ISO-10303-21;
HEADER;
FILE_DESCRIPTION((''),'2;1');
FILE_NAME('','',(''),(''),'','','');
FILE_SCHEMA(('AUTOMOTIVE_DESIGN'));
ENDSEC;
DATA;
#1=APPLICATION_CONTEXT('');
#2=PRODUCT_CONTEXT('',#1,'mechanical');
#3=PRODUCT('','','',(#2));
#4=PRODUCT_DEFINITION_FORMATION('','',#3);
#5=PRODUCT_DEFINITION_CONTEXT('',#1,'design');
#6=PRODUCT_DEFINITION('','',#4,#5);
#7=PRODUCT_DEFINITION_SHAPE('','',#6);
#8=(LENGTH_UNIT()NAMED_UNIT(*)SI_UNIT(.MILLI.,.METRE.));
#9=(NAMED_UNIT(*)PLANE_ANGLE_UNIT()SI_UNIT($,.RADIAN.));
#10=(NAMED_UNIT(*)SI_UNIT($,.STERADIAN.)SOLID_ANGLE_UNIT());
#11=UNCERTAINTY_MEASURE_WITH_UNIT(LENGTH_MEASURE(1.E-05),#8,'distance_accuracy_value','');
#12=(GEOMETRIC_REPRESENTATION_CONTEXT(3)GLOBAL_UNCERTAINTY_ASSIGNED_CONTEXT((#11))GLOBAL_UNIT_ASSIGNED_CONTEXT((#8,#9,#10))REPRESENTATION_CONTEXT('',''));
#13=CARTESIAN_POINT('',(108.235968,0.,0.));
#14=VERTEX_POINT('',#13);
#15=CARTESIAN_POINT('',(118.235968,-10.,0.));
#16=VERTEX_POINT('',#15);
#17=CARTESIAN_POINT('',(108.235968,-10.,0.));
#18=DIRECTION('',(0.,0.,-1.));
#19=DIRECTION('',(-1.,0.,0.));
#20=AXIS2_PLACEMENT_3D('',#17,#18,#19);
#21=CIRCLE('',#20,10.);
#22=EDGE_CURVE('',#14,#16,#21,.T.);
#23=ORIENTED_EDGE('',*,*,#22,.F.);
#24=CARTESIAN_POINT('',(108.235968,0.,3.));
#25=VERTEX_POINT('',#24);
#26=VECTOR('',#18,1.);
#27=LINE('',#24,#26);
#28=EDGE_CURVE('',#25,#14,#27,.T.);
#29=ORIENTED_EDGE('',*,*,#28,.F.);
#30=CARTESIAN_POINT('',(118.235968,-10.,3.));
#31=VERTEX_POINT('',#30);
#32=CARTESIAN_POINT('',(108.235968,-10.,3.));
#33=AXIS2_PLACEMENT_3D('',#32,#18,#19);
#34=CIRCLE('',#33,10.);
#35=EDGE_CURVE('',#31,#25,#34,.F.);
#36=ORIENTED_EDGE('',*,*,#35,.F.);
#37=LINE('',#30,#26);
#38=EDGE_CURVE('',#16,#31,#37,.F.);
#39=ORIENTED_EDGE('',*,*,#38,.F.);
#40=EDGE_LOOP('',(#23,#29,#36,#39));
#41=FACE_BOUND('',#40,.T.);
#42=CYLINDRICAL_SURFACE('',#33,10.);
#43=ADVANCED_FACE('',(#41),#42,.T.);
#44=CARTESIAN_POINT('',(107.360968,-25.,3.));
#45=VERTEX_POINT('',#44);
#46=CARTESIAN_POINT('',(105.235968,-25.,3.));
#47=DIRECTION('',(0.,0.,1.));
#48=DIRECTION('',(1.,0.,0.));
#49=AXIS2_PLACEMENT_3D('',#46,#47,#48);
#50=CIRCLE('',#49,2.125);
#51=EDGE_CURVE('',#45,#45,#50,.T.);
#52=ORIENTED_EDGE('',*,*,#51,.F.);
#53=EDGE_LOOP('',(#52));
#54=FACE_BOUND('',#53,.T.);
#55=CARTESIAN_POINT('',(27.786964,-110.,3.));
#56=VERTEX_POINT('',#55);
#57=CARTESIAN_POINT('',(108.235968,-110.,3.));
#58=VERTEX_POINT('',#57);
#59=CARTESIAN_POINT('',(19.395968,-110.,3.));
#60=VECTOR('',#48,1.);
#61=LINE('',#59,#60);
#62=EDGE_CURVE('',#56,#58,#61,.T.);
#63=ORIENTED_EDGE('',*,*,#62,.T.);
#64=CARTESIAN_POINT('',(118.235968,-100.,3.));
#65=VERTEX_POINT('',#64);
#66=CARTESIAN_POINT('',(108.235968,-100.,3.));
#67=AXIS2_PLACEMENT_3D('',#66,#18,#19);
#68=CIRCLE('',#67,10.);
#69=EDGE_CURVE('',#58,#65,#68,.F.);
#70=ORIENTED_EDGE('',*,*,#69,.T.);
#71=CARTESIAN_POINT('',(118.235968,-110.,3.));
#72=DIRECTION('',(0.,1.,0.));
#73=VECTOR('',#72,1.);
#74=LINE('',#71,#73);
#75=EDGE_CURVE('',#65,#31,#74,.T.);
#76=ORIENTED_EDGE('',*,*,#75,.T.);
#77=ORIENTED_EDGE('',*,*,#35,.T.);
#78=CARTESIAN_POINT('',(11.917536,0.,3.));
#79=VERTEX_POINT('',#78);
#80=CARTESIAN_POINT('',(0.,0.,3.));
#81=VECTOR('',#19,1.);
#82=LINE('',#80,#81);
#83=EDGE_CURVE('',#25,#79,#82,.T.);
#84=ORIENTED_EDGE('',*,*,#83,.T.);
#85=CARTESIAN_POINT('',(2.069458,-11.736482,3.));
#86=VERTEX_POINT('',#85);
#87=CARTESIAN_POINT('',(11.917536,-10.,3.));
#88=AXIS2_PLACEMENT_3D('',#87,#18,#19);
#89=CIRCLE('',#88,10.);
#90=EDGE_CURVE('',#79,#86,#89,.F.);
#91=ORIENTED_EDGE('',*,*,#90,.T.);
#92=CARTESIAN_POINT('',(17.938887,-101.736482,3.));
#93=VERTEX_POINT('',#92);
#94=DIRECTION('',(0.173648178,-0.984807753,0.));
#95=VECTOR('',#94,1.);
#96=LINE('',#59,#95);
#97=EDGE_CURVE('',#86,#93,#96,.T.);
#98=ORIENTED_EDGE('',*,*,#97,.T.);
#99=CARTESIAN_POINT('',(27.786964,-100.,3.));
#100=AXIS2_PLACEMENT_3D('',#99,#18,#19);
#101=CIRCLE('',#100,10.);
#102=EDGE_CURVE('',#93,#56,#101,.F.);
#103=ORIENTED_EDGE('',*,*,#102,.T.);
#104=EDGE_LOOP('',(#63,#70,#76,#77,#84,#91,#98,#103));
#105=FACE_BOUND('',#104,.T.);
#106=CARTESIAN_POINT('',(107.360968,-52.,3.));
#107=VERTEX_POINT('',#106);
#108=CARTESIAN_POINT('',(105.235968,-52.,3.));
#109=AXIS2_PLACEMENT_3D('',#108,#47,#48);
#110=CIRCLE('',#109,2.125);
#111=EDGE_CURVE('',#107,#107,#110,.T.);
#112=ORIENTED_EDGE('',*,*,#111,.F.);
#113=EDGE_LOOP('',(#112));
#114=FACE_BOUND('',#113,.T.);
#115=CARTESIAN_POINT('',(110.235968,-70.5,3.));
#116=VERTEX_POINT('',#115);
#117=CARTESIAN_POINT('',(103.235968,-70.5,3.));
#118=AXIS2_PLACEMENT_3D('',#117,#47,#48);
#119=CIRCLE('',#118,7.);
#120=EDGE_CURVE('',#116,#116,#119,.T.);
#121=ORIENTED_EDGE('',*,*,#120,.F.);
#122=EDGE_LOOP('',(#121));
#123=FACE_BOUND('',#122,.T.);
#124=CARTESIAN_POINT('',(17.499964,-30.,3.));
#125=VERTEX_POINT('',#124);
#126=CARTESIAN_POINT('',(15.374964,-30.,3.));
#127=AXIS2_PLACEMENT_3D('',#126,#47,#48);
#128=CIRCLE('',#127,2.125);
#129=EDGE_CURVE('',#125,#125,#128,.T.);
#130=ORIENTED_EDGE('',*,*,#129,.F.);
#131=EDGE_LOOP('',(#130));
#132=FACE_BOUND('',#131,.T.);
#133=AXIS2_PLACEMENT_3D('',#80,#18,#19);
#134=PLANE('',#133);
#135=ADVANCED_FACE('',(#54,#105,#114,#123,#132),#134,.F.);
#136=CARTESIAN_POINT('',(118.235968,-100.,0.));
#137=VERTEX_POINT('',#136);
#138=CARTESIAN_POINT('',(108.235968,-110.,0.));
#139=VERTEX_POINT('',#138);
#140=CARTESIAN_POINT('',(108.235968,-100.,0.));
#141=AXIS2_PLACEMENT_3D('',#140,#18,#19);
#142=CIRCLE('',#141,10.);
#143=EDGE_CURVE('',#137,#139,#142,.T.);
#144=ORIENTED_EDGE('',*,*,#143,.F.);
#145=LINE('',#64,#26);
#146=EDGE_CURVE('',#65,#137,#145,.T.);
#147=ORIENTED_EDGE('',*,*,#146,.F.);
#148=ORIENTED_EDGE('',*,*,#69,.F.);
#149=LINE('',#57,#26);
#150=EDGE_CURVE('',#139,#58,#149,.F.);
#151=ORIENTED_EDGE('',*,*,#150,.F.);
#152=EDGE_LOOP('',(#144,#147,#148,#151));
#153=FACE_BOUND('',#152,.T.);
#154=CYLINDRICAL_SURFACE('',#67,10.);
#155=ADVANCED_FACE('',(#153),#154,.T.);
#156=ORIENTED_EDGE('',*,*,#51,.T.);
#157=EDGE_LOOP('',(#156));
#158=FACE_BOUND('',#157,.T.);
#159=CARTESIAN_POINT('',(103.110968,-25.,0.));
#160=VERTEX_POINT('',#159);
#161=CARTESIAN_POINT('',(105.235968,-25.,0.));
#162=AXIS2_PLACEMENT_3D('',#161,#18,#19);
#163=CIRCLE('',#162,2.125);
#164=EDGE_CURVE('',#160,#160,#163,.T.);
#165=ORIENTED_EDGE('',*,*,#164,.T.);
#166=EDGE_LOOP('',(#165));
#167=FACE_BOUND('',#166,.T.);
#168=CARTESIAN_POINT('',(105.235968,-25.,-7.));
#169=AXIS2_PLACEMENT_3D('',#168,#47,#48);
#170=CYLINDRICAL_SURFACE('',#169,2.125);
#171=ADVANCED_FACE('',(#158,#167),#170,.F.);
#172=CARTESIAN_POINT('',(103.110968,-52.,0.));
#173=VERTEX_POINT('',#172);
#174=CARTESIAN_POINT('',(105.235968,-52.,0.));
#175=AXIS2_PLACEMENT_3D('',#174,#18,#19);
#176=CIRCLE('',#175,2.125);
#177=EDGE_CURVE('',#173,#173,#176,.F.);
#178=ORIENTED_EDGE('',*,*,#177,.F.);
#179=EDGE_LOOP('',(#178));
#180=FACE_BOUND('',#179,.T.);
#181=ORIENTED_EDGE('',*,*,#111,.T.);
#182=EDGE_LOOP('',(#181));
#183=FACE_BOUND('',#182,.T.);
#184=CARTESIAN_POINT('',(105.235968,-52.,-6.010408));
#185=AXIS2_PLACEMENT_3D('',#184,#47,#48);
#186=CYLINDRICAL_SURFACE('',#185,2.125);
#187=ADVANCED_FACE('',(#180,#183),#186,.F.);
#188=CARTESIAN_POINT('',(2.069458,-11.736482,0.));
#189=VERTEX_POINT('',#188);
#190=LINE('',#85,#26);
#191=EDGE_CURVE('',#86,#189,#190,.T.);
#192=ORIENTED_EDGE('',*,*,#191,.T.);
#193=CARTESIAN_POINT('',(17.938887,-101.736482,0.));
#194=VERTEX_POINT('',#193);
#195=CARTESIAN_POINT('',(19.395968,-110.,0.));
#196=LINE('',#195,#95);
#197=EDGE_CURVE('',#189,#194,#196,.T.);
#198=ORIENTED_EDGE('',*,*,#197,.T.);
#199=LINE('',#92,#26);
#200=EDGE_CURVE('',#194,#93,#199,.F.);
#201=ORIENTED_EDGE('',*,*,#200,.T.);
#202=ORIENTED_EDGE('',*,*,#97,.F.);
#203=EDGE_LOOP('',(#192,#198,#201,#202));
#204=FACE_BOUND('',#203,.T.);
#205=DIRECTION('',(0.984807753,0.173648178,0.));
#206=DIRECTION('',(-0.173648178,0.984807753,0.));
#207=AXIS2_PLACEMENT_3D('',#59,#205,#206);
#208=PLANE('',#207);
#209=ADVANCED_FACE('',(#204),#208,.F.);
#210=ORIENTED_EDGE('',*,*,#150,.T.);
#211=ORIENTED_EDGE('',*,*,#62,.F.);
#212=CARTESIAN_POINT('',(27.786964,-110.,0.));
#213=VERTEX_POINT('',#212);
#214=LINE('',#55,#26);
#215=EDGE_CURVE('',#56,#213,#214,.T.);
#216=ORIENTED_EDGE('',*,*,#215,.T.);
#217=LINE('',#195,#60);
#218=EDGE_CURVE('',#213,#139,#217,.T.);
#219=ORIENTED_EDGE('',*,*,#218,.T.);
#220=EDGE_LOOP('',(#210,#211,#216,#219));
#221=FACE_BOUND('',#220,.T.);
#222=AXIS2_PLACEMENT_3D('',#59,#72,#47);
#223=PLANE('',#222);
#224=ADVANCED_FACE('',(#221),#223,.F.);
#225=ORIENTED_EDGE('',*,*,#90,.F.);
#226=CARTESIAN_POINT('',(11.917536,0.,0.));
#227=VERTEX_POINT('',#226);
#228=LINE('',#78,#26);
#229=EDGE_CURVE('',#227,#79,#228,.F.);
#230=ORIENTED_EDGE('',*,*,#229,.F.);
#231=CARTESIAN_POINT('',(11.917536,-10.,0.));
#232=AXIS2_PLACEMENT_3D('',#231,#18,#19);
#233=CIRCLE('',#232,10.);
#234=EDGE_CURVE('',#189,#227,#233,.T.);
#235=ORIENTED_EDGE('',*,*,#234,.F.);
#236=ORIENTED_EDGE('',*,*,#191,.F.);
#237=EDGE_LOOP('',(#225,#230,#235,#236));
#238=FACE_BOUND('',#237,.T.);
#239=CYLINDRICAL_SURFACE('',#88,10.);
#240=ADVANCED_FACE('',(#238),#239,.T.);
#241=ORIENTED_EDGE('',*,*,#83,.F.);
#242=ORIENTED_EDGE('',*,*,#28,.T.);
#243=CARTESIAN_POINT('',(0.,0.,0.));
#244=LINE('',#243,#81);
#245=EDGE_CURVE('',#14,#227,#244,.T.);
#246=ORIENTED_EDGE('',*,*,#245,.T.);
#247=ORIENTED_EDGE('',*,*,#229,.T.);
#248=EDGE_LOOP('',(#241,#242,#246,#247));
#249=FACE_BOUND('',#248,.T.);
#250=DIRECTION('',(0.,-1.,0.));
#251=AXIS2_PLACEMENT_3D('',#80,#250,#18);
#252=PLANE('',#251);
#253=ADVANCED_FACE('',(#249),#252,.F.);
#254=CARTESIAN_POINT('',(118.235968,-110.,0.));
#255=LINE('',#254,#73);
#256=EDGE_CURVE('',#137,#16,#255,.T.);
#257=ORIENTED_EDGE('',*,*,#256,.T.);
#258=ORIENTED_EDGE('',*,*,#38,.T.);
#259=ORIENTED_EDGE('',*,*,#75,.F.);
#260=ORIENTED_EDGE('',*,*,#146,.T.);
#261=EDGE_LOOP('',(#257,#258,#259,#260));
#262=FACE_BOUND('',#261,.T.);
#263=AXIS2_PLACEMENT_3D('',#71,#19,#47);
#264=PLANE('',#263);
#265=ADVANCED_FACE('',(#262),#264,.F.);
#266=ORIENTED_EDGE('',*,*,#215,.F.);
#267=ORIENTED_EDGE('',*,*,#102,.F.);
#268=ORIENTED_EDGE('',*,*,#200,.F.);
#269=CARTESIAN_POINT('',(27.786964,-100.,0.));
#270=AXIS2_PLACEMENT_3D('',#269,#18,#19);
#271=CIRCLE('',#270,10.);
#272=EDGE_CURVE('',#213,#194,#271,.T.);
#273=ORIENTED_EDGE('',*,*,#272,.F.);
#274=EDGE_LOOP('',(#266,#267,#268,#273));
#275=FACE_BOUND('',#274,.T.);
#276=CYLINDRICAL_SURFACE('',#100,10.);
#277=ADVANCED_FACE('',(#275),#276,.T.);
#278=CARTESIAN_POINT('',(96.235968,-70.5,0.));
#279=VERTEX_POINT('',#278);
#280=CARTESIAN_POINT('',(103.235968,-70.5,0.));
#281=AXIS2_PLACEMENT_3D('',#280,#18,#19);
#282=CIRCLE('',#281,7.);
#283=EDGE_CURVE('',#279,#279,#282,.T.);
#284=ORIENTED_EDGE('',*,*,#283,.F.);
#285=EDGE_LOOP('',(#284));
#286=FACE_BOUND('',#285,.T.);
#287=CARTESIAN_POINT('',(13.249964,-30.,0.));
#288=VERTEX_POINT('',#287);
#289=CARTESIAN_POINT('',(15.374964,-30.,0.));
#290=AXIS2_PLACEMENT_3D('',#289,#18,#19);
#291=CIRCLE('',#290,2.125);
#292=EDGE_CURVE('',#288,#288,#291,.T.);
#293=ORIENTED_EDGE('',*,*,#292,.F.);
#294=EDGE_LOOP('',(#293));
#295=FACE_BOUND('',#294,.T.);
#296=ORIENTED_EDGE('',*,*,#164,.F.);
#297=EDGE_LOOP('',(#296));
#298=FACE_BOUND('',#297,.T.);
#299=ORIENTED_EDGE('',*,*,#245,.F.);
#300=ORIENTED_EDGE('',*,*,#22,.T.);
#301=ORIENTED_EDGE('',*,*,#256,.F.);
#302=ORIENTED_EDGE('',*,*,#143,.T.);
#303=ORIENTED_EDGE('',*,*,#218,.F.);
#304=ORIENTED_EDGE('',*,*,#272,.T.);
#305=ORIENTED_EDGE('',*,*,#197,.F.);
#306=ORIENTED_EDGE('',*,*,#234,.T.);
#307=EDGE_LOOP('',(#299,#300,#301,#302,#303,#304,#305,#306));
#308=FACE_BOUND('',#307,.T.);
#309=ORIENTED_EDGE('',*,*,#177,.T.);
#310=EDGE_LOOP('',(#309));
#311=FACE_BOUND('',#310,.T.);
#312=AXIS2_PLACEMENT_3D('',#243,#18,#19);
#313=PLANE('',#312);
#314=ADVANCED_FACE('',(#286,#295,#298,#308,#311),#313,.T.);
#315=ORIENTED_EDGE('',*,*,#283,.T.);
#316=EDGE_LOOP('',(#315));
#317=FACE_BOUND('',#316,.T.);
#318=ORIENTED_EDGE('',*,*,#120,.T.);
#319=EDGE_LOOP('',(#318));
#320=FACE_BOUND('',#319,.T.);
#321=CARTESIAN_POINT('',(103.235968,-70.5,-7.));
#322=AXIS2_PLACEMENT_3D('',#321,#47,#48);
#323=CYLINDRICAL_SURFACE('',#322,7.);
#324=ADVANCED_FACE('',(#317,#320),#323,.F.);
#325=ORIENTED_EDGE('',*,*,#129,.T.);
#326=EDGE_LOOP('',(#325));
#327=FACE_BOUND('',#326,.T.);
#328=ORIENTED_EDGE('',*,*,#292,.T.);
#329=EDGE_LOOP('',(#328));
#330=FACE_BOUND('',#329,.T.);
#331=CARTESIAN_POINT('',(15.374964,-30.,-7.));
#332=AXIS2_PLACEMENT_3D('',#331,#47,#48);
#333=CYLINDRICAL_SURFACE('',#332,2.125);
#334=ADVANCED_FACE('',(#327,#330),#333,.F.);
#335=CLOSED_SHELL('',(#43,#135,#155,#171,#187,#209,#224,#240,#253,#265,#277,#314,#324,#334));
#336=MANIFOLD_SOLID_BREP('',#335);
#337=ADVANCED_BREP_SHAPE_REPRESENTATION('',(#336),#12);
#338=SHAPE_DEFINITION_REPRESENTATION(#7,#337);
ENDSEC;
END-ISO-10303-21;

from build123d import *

# Parameters (mm, degrees)
BOSS_EXTRUDE3_DEPTH = 3
SKETCH5_R           = 2.125
SKETCH5_R_2         = 7
CUT_EXTRUDE1_DEPTH  = 10
FILLET1_R           = 10
SKETCH6_R           = 2.125
CUT_EXTRUDE2_DEPTH  = 3


with BuildPart() as part:
    # Sketch4 → Boss-Extrude3 (new body)
    with BuildSketch(Plane.XY):
        Polygon((0, 0), (118.235967878, 0), (118.235967878, -110), (19.395967878, -110), align=None)
    extrude(amount=BOSS_EXTRUDE3_DEPTH)

    # Sketch5 → Cut-Extrude1 (cut)
    with BuildSketch(Plane.XY.offset(3)):
        with Locations((105.235967878, -25)):
            Circle(SKETCH5_R)
        with Locations((15.3749641, -30)):
            Circle(SKETCH5_R)
        with Locations((103.235967878, -70.5)):
            Circle(SKETCH5_R_2)
    extrude(amount=-CUT_EXTRUDE1_DEPTH, mode=Mode.SUBTRACT)

    # Fillet1
    fillet1_edges = [part.edges().sort_by_distance(p)[0] for p in [
        (0, 0, 1.5),
        (118.235967878, 0, 1.5),
        (118.235967878, -110, 1.5),
        (19.395967878, -110, 1.5),
    ]]
    fillet(fillet1_edges, radius=FILLET1_R)

    # Sketch6 → Cut-Extrude2 (cut)
    with BuildSketch(Plane.XY.offset(3)):
        with Locations((105.235967878, -52)):
            Circle(SKETCH6_R)
    extrude(amount=-CUT_EXTRUDE2_DEPTH, mode=Mode.SUBTRACT)


solid = part.part
